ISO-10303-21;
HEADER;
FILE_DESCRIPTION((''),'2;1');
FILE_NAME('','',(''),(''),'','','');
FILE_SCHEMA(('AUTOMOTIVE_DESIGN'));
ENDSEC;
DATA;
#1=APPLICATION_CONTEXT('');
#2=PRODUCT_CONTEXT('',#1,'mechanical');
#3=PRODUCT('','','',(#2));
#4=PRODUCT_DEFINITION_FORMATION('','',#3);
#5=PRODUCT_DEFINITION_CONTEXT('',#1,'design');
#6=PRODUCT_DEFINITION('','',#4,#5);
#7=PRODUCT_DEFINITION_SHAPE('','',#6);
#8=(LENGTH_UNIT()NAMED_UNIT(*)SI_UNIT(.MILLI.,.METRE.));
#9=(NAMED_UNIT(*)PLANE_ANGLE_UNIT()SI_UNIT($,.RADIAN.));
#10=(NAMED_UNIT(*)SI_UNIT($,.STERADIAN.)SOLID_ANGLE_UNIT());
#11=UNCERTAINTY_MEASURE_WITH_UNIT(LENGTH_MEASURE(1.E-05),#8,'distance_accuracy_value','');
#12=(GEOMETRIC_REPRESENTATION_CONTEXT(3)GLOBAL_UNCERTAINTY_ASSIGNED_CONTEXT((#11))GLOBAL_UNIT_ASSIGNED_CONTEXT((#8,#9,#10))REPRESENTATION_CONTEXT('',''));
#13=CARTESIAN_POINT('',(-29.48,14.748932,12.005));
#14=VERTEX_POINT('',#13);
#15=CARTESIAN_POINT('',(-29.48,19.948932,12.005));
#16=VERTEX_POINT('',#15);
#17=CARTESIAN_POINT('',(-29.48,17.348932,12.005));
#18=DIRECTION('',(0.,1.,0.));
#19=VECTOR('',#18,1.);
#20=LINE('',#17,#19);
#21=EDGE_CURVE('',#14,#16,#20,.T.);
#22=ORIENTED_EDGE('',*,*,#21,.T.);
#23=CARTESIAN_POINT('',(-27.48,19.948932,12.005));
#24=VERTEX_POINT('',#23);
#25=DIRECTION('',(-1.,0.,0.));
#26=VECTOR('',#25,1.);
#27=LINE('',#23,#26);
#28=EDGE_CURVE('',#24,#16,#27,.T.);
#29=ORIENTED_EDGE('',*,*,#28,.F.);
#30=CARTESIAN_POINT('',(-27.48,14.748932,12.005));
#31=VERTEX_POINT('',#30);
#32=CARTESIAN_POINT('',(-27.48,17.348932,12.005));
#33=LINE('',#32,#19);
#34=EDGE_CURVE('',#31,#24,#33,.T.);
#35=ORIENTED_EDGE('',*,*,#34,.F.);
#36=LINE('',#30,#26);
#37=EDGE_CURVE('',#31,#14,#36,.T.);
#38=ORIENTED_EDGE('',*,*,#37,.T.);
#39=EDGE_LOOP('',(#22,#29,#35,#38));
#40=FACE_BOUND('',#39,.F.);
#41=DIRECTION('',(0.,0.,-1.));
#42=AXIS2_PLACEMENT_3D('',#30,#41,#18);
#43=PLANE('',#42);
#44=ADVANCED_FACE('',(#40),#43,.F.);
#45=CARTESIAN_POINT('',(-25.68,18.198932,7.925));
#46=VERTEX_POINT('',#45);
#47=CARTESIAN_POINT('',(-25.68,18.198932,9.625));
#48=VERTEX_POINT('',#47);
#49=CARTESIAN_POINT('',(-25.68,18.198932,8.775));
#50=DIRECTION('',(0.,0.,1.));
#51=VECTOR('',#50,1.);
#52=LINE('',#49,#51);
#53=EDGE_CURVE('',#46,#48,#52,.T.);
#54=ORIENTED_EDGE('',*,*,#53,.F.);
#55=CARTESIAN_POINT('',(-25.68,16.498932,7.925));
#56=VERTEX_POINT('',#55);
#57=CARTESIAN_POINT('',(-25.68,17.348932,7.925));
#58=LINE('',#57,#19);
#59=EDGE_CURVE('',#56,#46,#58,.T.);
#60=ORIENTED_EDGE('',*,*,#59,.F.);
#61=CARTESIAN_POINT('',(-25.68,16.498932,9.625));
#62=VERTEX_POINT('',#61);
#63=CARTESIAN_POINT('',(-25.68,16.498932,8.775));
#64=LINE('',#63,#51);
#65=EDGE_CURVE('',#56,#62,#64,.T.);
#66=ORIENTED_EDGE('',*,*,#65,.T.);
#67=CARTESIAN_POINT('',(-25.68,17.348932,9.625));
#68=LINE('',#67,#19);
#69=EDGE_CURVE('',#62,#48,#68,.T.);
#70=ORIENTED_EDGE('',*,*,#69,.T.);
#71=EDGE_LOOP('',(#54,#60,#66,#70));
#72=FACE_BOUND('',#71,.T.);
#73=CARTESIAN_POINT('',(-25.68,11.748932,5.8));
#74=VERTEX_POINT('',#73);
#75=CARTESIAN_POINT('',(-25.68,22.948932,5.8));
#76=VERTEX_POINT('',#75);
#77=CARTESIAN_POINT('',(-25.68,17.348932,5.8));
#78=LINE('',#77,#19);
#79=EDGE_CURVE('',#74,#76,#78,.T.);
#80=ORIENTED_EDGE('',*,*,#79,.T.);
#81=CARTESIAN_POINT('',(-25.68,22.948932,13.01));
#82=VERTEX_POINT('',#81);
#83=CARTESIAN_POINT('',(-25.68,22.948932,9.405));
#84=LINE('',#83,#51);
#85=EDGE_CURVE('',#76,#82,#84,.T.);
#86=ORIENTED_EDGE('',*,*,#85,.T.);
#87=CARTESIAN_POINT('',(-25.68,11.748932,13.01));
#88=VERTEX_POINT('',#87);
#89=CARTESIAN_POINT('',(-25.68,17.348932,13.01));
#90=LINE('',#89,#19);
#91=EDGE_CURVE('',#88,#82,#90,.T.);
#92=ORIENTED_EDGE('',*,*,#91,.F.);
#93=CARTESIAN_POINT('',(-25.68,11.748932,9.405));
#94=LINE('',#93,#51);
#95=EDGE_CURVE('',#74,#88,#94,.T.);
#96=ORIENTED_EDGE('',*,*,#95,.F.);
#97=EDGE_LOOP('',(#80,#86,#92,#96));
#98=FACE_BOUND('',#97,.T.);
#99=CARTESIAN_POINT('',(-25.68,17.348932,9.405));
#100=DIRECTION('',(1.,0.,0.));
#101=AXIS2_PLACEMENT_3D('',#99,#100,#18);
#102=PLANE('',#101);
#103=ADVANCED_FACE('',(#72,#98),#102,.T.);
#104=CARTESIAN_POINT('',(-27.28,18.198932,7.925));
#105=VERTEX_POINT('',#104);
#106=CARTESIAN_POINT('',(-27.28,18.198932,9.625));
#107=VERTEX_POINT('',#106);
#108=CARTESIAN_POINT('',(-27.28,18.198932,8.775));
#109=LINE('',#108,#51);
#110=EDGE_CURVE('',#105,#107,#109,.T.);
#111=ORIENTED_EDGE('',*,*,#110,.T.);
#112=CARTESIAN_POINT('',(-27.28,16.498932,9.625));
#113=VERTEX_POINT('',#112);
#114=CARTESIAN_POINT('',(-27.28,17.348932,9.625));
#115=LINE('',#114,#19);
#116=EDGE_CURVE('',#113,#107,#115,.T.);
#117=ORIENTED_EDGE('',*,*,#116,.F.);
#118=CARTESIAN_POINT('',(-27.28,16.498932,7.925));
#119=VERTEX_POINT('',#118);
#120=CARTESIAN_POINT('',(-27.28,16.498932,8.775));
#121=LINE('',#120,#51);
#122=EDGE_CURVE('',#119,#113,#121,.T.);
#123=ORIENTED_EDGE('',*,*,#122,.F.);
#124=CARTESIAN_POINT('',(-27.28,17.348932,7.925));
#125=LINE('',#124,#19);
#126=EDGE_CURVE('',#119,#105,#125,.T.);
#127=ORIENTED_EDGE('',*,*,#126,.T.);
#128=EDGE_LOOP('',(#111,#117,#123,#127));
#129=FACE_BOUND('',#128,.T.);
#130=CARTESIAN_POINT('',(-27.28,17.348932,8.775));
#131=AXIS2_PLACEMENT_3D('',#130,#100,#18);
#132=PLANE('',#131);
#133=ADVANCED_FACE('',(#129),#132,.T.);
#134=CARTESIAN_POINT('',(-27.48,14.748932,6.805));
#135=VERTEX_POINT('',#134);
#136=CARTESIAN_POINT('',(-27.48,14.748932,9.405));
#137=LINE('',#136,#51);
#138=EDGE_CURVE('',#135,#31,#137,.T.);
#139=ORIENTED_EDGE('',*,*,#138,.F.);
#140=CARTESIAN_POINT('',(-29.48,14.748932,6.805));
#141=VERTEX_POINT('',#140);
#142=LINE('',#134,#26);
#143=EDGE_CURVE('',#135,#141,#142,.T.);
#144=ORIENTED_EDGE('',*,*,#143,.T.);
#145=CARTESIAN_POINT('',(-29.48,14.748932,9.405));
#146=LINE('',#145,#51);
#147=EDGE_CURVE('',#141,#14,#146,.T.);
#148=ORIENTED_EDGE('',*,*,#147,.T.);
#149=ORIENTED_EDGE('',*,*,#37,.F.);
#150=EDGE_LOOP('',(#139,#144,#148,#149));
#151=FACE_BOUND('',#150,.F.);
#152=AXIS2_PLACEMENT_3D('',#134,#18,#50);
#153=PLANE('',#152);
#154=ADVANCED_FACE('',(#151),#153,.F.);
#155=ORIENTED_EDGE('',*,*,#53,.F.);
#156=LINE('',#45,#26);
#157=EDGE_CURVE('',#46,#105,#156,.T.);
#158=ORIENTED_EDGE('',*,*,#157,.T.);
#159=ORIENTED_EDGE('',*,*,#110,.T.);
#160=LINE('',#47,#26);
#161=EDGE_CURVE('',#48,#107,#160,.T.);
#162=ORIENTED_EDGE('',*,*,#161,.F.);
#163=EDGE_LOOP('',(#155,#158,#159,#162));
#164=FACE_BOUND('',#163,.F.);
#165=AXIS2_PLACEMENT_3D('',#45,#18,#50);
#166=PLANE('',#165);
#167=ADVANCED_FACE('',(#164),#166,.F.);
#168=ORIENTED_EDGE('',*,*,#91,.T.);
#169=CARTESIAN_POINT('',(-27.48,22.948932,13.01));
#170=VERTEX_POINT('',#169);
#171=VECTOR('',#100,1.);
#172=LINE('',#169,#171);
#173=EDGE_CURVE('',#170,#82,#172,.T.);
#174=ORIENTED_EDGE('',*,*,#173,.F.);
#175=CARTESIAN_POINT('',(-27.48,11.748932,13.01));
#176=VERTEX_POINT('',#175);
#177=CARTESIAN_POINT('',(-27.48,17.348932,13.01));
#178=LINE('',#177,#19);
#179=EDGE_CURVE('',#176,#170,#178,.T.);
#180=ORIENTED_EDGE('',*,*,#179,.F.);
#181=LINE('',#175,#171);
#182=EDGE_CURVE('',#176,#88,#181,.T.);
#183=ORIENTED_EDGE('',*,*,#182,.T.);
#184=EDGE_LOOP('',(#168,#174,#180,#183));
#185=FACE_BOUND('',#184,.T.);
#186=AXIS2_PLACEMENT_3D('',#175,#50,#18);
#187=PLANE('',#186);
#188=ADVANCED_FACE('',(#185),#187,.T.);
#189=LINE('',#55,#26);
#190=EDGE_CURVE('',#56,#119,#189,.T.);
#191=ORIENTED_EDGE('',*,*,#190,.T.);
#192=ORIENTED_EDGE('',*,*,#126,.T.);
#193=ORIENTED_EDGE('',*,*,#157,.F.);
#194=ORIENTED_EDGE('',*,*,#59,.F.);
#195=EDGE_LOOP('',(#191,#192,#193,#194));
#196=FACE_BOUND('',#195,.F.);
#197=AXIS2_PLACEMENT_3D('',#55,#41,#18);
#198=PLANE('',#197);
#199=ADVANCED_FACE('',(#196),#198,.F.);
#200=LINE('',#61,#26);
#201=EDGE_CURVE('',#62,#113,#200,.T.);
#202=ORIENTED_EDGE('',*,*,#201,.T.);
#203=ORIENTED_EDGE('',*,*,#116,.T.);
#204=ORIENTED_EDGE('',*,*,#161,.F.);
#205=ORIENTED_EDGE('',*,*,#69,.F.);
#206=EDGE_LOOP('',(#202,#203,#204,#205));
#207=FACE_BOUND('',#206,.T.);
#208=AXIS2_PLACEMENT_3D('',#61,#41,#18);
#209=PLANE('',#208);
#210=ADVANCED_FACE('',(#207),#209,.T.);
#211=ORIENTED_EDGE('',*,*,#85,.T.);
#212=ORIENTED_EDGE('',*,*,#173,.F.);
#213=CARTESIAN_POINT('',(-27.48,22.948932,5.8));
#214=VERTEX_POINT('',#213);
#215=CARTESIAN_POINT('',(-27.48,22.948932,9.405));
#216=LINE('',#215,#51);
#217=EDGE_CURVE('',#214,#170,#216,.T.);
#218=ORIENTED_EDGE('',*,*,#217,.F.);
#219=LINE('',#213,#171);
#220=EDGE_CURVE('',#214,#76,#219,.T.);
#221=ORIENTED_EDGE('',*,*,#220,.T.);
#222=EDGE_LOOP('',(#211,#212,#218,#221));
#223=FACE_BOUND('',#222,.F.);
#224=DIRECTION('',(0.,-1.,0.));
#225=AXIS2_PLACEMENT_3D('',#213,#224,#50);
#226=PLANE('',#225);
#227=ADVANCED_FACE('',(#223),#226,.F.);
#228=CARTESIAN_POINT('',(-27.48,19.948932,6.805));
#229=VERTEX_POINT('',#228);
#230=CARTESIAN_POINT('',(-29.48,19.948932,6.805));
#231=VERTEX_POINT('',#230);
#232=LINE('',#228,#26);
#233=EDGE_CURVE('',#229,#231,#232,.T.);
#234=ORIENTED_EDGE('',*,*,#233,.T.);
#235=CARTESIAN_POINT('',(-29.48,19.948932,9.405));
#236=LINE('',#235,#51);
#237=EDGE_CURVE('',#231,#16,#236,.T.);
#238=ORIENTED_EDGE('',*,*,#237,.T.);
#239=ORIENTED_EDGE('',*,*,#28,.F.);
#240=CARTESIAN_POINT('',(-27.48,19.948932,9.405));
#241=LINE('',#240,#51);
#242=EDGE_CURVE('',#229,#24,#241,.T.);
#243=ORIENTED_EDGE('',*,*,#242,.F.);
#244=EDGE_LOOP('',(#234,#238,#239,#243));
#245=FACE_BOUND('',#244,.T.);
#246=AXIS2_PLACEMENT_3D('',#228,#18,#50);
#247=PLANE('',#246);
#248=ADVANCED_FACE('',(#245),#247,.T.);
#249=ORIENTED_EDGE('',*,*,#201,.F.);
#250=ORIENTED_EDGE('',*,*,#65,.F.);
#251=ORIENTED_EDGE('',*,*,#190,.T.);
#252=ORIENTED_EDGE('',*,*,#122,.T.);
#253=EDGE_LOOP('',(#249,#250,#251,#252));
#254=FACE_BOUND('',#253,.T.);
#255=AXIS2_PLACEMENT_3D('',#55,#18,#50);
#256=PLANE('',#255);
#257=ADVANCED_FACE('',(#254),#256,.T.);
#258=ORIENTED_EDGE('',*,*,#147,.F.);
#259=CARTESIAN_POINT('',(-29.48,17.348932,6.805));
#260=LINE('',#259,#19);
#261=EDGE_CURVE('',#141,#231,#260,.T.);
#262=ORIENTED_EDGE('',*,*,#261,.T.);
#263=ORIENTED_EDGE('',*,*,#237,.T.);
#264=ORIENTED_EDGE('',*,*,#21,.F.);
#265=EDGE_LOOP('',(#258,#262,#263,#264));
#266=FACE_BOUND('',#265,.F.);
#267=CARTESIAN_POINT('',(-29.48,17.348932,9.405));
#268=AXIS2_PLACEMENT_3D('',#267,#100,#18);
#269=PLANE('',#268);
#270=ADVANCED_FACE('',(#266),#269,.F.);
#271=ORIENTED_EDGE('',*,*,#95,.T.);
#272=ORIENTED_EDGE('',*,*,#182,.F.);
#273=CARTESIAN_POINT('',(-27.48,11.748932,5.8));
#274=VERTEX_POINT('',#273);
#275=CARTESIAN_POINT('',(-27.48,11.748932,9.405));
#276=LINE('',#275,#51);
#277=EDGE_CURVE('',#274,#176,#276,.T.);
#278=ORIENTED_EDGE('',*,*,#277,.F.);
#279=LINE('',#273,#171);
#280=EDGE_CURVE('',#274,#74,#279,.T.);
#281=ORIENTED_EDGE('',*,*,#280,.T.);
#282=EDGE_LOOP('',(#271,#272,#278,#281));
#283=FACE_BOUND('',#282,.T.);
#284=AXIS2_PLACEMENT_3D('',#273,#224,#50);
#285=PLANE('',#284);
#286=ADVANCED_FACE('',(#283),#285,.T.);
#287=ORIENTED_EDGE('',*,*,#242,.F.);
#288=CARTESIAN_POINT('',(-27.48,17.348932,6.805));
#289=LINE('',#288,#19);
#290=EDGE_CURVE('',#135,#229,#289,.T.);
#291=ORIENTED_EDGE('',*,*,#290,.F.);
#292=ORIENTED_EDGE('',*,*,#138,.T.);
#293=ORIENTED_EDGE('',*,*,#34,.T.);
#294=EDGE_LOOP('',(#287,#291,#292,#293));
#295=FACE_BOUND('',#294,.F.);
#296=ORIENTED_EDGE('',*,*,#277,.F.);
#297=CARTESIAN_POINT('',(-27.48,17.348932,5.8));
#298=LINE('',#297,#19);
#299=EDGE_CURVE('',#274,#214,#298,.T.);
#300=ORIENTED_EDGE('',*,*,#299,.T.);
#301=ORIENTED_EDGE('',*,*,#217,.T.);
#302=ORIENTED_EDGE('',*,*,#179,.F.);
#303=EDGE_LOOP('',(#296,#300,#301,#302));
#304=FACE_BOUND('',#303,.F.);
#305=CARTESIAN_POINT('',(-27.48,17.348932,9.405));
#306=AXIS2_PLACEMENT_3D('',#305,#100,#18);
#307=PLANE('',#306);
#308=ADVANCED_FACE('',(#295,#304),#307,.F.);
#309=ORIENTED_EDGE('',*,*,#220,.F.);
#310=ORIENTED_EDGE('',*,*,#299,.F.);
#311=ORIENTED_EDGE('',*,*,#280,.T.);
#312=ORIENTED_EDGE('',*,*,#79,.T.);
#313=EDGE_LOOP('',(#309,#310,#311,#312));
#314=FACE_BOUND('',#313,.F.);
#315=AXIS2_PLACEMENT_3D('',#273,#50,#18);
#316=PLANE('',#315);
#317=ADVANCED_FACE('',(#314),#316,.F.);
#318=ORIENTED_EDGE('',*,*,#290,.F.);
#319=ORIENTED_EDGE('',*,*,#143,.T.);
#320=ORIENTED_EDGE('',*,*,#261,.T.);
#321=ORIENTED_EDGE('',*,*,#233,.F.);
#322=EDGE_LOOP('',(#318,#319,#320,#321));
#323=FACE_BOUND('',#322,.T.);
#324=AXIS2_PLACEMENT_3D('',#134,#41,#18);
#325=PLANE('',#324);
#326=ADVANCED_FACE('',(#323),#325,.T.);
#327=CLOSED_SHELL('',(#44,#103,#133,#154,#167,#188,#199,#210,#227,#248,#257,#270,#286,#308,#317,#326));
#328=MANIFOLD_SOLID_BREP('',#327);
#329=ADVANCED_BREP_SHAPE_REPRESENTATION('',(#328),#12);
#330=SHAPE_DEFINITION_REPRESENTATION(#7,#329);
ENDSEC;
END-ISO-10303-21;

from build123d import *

# Parameters (mm, degrees)
SKETCH132_W     = 11.2
SKETCH132_H     = 7.21
PAD065_DEPTH    = 1.8
SKETCH135_W     = 1.7
SKETCH135_H     = 1.7
POCKET058_DEPTH = 1.6
SKETCH136_W     = 5.2
SKETCH136_H     = 5.2
PAD066_DEPTH    = 2


with BuildPart() as part:
    # Sketch132 (on YZ_Plane of Origin) → Pad065 (new body)
    with BuildSketch(Plane.YZ):
        with Locations((17.348932, 9.405)):
            Rectangle(SKETCH132_W, SKETCH132_H)
    extrude(amount=PAD065_DEPTH)

    # Sketch135 (on YZ_Plane of Origin) → Pocket058 (cut)
    with BuildSketch(Plane.YZ.offset(1.8)):
        with Locations((17.348932, 8.775)):
            Rectangle(SKETCH135_W, SKETCH135_H)
    extrude(amount=-POCKET058_DEPTH, mode=Mode.SUBTRACT)

    # Sketch136 (on YZ_Plane of Origin) → Pad066 (join)
    with BuildSketch(Plane.YZ):
        with Locations((17.348932, 9.405)):
            Rectangle(SKETCH136_W, SKETCH136_H)
    extrude(amount=-PAD066_DEPTH)


with BuildPart() as part_1:
    # Body019 placement: moved
    add(part.part.moved(Location((-27.48, 0, 0))))


solid = part_1.part
